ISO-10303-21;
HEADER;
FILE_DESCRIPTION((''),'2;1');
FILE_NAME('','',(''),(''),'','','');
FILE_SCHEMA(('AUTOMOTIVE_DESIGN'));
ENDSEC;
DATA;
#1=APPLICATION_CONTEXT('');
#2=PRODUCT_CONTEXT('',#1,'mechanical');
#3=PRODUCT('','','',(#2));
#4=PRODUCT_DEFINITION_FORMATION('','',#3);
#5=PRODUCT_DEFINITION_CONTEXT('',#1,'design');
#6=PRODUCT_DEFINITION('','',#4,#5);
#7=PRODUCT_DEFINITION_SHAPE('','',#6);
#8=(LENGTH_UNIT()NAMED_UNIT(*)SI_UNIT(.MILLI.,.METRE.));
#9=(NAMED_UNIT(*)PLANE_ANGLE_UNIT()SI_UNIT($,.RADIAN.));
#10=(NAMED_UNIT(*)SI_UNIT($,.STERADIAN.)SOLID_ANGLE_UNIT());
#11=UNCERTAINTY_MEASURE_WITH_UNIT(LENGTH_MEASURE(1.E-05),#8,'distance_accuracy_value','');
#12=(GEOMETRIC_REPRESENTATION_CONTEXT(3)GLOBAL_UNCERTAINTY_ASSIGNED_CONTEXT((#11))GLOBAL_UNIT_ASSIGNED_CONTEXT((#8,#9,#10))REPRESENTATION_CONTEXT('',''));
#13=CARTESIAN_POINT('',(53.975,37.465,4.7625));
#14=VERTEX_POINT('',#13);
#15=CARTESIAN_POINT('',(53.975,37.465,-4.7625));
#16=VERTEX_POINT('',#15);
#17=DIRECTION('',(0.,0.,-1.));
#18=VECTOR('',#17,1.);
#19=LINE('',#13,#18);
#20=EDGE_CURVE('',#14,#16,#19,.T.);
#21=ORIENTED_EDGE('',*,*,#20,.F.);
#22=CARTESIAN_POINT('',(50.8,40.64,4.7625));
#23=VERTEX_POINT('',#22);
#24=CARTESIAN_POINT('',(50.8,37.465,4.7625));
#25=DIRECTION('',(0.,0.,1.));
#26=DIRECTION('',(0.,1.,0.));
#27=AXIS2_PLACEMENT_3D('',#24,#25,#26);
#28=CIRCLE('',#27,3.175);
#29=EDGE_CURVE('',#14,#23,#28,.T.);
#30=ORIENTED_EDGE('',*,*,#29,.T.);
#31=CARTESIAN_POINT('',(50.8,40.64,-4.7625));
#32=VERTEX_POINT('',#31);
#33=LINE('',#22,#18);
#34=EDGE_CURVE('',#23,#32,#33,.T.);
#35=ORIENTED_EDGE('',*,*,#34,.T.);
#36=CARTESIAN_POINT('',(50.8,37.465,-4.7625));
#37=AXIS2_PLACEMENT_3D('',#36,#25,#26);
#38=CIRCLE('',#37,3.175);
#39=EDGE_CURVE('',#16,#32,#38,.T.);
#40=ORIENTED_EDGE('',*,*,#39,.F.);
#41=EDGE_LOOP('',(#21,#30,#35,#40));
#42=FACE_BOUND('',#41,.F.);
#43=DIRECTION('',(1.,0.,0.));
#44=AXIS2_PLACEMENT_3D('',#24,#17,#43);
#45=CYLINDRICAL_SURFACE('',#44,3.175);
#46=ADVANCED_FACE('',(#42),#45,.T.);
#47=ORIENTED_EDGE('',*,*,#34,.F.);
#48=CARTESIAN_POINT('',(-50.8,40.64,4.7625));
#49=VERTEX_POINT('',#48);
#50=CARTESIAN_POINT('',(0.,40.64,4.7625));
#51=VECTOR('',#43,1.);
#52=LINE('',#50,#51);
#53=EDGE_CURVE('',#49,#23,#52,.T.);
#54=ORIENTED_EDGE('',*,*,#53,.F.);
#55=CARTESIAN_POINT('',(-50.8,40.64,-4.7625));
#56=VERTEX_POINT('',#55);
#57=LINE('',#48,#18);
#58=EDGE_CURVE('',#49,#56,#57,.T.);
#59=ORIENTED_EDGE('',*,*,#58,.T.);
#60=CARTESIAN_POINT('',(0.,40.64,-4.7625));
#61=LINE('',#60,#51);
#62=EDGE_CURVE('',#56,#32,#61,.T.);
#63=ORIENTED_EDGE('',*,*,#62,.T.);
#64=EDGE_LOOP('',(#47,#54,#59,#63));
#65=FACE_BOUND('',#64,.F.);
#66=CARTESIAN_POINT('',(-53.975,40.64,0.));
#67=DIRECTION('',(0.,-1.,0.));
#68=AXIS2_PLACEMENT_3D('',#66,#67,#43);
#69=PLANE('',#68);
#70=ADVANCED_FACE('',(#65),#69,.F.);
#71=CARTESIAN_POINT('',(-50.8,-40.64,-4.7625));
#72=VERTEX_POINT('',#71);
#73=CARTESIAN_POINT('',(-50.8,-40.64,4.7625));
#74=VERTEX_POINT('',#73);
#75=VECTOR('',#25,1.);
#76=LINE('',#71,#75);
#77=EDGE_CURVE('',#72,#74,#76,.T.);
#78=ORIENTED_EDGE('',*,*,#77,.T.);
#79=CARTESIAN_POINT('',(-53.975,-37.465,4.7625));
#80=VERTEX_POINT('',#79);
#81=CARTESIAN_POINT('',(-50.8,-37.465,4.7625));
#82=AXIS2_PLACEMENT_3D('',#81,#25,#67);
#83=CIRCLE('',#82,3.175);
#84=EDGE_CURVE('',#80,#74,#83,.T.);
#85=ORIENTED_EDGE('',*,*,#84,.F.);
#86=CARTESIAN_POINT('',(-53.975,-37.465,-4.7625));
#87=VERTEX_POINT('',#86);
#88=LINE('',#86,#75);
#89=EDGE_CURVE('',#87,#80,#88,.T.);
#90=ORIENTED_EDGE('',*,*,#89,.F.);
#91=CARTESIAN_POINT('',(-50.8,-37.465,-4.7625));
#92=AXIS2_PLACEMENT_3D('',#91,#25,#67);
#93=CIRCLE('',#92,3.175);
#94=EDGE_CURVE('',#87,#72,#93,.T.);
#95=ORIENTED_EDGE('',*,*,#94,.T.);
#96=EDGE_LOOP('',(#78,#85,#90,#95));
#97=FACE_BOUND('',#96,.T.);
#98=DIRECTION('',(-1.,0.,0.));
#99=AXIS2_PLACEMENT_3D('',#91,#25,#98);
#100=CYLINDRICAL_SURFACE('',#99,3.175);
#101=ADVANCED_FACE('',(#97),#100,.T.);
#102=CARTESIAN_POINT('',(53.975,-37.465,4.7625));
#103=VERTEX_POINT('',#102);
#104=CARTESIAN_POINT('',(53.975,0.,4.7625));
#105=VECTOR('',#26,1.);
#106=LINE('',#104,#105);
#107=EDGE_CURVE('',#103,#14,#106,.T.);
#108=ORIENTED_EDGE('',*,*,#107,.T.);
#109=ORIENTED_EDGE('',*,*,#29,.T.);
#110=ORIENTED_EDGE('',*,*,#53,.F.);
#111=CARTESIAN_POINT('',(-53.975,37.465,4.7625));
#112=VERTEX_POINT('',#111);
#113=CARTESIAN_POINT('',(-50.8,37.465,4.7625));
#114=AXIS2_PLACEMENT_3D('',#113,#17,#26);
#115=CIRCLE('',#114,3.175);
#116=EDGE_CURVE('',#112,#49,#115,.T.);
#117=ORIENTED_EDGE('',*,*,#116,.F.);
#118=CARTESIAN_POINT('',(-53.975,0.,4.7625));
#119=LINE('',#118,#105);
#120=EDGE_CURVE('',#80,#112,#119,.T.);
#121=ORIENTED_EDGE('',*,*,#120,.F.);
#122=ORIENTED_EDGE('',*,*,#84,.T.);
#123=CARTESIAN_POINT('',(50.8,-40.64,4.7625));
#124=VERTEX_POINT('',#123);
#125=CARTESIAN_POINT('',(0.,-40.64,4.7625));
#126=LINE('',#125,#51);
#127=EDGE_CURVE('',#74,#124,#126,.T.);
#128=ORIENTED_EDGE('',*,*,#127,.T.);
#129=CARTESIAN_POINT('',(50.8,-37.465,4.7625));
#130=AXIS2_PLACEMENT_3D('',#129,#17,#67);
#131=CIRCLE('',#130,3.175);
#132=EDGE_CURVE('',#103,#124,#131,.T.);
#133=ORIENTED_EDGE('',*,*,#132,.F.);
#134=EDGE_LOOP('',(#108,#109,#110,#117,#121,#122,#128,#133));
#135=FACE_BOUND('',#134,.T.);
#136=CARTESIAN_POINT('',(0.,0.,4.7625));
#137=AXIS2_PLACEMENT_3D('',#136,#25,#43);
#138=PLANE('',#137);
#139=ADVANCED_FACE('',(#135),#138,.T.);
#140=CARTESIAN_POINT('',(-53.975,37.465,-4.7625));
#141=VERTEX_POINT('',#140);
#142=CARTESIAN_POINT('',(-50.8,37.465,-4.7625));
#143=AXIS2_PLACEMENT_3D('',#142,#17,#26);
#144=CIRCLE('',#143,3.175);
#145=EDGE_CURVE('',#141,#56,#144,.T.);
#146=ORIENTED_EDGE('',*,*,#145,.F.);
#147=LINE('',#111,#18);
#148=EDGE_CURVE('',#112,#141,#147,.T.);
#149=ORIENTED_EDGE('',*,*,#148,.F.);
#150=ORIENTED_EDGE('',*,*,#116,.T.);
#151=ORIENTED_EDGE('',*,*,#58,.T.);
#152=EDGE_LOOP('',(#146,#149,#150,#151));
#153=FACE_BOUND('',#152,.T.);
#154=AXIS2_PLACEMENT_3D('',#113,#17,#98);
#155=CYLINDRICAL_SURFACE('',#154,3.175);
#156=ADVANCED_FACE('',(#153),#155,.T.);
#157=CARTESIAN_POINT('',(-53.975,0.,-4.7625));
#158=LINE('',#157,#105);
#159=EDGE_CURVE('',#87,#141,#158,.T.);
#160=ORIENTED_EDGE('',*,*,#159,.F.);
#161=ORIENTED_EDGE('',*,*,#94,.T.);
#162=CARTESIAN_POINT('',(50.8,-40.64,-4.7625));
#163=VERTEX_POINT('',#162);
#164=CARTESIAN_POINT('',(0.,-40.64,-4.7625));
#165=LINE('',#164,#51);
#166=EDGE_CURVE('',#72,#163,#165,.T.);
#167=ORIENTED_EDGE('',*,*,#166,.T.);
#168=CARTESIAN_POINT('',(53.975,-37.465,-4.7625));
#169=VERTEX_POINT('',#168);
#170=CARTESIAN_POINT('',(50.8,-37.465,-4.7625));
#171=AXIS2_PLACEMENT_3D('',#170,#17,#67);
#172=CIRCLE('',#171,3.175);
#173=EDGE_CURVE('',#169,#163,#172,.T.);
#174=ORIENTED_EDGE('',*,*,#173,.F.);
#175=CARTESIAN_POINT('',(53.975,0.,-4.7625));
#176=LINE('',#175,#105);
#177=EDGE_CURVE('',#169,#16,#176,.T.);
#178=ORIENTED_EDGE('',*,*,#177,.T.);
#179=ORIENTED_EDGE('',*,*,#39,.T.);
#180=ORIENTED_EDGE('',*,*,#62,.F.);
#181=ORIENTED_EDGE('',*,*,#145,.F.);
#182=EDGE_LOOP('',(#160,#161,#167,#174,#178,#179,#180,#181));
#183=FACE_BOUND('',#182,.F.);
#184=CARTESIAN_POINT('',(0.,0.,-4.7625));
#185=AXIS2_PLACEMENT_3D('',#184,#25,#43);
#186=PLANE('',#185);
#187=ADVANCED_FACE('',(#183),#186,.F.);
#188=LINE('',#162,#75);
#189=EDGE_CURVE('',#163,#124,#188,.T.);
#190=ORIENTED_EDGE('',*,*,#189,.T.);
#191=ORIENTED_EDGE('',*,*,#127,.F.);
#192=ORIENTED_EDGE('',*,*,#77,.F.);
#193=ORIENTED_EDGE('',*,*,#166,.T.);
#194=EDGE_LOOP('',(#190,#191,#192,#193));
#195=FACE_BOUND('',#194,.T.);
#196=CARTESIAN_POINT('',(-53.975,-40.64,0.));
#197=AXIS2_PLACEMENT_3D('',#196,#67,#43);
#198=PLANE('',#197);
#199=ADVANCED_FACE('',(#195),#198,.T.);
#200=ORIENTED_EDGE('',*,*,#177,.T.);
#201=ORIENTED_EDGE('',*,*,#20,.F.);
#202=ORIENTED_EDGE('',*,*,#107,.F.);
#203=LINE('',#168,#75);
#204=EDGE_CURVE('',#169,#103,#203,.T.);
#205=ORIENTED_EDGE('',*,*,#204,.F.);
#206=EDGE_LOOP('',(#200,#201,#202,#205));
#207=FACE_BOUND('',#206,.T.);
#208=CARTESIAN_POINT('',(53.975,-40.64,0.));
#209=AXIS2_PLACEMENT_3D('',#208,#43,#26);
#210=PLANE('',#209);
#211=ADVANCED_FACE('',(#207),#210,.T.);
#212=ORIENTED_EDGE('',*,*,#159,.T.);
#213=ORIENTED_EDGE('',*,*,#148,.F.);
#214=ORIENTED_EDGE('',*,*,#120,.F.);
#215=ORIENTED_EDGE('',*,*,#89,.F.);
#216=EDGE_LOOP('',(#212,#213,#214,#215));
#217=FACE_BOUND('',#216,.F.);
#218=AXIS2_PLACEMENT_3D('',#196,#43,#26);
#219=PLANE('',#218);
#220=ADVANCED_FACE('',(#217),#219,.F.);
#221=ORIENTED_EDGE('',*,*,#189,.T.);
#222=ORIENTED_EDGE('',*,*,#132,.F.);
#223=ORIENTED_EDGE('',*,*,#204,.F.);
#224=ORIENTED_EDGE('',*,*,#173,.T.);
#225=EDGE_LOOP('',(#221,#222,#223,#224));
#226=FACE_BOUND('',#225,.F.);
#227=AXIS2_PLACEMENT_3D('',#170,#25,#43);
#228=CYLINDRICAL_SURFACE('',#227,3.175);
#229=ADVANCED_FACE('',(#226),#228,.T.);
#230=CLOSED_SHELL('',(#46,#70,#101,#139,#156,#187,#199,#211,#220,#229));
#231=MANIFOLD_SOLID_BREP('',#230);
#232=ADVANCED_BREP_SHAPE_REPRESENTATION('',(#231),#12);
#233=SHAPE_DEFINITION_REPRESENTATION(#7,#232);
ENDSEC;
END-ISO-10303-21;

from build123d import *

# Parameters (mm, degrees)
F0_W     = 107.95
F0_H     = 81.28
F1_DEPTH = 4.7625
F2_R     = 3.175


with BuildPart() as f1:
    # F0 (on Top) → F1 (new body, symmetric)
    with BuildSketch(Plane.XY):
        Rectangle(F0_W, F0_H)
    extrude(amount=F1_DEPTH, both=True)

    # F2
    f2_edges = [f1.edges().sort_by_distance(p)[0] for p in [
        (53.975, -40.64, 0),
        (53.975, 40.64, 0),
        (-53.975, -40.64, 0),
        (-53.975, 40.64, 0),
    ]]
    fillet(f2_edges, radius=F2_R)


solid = f1.part
